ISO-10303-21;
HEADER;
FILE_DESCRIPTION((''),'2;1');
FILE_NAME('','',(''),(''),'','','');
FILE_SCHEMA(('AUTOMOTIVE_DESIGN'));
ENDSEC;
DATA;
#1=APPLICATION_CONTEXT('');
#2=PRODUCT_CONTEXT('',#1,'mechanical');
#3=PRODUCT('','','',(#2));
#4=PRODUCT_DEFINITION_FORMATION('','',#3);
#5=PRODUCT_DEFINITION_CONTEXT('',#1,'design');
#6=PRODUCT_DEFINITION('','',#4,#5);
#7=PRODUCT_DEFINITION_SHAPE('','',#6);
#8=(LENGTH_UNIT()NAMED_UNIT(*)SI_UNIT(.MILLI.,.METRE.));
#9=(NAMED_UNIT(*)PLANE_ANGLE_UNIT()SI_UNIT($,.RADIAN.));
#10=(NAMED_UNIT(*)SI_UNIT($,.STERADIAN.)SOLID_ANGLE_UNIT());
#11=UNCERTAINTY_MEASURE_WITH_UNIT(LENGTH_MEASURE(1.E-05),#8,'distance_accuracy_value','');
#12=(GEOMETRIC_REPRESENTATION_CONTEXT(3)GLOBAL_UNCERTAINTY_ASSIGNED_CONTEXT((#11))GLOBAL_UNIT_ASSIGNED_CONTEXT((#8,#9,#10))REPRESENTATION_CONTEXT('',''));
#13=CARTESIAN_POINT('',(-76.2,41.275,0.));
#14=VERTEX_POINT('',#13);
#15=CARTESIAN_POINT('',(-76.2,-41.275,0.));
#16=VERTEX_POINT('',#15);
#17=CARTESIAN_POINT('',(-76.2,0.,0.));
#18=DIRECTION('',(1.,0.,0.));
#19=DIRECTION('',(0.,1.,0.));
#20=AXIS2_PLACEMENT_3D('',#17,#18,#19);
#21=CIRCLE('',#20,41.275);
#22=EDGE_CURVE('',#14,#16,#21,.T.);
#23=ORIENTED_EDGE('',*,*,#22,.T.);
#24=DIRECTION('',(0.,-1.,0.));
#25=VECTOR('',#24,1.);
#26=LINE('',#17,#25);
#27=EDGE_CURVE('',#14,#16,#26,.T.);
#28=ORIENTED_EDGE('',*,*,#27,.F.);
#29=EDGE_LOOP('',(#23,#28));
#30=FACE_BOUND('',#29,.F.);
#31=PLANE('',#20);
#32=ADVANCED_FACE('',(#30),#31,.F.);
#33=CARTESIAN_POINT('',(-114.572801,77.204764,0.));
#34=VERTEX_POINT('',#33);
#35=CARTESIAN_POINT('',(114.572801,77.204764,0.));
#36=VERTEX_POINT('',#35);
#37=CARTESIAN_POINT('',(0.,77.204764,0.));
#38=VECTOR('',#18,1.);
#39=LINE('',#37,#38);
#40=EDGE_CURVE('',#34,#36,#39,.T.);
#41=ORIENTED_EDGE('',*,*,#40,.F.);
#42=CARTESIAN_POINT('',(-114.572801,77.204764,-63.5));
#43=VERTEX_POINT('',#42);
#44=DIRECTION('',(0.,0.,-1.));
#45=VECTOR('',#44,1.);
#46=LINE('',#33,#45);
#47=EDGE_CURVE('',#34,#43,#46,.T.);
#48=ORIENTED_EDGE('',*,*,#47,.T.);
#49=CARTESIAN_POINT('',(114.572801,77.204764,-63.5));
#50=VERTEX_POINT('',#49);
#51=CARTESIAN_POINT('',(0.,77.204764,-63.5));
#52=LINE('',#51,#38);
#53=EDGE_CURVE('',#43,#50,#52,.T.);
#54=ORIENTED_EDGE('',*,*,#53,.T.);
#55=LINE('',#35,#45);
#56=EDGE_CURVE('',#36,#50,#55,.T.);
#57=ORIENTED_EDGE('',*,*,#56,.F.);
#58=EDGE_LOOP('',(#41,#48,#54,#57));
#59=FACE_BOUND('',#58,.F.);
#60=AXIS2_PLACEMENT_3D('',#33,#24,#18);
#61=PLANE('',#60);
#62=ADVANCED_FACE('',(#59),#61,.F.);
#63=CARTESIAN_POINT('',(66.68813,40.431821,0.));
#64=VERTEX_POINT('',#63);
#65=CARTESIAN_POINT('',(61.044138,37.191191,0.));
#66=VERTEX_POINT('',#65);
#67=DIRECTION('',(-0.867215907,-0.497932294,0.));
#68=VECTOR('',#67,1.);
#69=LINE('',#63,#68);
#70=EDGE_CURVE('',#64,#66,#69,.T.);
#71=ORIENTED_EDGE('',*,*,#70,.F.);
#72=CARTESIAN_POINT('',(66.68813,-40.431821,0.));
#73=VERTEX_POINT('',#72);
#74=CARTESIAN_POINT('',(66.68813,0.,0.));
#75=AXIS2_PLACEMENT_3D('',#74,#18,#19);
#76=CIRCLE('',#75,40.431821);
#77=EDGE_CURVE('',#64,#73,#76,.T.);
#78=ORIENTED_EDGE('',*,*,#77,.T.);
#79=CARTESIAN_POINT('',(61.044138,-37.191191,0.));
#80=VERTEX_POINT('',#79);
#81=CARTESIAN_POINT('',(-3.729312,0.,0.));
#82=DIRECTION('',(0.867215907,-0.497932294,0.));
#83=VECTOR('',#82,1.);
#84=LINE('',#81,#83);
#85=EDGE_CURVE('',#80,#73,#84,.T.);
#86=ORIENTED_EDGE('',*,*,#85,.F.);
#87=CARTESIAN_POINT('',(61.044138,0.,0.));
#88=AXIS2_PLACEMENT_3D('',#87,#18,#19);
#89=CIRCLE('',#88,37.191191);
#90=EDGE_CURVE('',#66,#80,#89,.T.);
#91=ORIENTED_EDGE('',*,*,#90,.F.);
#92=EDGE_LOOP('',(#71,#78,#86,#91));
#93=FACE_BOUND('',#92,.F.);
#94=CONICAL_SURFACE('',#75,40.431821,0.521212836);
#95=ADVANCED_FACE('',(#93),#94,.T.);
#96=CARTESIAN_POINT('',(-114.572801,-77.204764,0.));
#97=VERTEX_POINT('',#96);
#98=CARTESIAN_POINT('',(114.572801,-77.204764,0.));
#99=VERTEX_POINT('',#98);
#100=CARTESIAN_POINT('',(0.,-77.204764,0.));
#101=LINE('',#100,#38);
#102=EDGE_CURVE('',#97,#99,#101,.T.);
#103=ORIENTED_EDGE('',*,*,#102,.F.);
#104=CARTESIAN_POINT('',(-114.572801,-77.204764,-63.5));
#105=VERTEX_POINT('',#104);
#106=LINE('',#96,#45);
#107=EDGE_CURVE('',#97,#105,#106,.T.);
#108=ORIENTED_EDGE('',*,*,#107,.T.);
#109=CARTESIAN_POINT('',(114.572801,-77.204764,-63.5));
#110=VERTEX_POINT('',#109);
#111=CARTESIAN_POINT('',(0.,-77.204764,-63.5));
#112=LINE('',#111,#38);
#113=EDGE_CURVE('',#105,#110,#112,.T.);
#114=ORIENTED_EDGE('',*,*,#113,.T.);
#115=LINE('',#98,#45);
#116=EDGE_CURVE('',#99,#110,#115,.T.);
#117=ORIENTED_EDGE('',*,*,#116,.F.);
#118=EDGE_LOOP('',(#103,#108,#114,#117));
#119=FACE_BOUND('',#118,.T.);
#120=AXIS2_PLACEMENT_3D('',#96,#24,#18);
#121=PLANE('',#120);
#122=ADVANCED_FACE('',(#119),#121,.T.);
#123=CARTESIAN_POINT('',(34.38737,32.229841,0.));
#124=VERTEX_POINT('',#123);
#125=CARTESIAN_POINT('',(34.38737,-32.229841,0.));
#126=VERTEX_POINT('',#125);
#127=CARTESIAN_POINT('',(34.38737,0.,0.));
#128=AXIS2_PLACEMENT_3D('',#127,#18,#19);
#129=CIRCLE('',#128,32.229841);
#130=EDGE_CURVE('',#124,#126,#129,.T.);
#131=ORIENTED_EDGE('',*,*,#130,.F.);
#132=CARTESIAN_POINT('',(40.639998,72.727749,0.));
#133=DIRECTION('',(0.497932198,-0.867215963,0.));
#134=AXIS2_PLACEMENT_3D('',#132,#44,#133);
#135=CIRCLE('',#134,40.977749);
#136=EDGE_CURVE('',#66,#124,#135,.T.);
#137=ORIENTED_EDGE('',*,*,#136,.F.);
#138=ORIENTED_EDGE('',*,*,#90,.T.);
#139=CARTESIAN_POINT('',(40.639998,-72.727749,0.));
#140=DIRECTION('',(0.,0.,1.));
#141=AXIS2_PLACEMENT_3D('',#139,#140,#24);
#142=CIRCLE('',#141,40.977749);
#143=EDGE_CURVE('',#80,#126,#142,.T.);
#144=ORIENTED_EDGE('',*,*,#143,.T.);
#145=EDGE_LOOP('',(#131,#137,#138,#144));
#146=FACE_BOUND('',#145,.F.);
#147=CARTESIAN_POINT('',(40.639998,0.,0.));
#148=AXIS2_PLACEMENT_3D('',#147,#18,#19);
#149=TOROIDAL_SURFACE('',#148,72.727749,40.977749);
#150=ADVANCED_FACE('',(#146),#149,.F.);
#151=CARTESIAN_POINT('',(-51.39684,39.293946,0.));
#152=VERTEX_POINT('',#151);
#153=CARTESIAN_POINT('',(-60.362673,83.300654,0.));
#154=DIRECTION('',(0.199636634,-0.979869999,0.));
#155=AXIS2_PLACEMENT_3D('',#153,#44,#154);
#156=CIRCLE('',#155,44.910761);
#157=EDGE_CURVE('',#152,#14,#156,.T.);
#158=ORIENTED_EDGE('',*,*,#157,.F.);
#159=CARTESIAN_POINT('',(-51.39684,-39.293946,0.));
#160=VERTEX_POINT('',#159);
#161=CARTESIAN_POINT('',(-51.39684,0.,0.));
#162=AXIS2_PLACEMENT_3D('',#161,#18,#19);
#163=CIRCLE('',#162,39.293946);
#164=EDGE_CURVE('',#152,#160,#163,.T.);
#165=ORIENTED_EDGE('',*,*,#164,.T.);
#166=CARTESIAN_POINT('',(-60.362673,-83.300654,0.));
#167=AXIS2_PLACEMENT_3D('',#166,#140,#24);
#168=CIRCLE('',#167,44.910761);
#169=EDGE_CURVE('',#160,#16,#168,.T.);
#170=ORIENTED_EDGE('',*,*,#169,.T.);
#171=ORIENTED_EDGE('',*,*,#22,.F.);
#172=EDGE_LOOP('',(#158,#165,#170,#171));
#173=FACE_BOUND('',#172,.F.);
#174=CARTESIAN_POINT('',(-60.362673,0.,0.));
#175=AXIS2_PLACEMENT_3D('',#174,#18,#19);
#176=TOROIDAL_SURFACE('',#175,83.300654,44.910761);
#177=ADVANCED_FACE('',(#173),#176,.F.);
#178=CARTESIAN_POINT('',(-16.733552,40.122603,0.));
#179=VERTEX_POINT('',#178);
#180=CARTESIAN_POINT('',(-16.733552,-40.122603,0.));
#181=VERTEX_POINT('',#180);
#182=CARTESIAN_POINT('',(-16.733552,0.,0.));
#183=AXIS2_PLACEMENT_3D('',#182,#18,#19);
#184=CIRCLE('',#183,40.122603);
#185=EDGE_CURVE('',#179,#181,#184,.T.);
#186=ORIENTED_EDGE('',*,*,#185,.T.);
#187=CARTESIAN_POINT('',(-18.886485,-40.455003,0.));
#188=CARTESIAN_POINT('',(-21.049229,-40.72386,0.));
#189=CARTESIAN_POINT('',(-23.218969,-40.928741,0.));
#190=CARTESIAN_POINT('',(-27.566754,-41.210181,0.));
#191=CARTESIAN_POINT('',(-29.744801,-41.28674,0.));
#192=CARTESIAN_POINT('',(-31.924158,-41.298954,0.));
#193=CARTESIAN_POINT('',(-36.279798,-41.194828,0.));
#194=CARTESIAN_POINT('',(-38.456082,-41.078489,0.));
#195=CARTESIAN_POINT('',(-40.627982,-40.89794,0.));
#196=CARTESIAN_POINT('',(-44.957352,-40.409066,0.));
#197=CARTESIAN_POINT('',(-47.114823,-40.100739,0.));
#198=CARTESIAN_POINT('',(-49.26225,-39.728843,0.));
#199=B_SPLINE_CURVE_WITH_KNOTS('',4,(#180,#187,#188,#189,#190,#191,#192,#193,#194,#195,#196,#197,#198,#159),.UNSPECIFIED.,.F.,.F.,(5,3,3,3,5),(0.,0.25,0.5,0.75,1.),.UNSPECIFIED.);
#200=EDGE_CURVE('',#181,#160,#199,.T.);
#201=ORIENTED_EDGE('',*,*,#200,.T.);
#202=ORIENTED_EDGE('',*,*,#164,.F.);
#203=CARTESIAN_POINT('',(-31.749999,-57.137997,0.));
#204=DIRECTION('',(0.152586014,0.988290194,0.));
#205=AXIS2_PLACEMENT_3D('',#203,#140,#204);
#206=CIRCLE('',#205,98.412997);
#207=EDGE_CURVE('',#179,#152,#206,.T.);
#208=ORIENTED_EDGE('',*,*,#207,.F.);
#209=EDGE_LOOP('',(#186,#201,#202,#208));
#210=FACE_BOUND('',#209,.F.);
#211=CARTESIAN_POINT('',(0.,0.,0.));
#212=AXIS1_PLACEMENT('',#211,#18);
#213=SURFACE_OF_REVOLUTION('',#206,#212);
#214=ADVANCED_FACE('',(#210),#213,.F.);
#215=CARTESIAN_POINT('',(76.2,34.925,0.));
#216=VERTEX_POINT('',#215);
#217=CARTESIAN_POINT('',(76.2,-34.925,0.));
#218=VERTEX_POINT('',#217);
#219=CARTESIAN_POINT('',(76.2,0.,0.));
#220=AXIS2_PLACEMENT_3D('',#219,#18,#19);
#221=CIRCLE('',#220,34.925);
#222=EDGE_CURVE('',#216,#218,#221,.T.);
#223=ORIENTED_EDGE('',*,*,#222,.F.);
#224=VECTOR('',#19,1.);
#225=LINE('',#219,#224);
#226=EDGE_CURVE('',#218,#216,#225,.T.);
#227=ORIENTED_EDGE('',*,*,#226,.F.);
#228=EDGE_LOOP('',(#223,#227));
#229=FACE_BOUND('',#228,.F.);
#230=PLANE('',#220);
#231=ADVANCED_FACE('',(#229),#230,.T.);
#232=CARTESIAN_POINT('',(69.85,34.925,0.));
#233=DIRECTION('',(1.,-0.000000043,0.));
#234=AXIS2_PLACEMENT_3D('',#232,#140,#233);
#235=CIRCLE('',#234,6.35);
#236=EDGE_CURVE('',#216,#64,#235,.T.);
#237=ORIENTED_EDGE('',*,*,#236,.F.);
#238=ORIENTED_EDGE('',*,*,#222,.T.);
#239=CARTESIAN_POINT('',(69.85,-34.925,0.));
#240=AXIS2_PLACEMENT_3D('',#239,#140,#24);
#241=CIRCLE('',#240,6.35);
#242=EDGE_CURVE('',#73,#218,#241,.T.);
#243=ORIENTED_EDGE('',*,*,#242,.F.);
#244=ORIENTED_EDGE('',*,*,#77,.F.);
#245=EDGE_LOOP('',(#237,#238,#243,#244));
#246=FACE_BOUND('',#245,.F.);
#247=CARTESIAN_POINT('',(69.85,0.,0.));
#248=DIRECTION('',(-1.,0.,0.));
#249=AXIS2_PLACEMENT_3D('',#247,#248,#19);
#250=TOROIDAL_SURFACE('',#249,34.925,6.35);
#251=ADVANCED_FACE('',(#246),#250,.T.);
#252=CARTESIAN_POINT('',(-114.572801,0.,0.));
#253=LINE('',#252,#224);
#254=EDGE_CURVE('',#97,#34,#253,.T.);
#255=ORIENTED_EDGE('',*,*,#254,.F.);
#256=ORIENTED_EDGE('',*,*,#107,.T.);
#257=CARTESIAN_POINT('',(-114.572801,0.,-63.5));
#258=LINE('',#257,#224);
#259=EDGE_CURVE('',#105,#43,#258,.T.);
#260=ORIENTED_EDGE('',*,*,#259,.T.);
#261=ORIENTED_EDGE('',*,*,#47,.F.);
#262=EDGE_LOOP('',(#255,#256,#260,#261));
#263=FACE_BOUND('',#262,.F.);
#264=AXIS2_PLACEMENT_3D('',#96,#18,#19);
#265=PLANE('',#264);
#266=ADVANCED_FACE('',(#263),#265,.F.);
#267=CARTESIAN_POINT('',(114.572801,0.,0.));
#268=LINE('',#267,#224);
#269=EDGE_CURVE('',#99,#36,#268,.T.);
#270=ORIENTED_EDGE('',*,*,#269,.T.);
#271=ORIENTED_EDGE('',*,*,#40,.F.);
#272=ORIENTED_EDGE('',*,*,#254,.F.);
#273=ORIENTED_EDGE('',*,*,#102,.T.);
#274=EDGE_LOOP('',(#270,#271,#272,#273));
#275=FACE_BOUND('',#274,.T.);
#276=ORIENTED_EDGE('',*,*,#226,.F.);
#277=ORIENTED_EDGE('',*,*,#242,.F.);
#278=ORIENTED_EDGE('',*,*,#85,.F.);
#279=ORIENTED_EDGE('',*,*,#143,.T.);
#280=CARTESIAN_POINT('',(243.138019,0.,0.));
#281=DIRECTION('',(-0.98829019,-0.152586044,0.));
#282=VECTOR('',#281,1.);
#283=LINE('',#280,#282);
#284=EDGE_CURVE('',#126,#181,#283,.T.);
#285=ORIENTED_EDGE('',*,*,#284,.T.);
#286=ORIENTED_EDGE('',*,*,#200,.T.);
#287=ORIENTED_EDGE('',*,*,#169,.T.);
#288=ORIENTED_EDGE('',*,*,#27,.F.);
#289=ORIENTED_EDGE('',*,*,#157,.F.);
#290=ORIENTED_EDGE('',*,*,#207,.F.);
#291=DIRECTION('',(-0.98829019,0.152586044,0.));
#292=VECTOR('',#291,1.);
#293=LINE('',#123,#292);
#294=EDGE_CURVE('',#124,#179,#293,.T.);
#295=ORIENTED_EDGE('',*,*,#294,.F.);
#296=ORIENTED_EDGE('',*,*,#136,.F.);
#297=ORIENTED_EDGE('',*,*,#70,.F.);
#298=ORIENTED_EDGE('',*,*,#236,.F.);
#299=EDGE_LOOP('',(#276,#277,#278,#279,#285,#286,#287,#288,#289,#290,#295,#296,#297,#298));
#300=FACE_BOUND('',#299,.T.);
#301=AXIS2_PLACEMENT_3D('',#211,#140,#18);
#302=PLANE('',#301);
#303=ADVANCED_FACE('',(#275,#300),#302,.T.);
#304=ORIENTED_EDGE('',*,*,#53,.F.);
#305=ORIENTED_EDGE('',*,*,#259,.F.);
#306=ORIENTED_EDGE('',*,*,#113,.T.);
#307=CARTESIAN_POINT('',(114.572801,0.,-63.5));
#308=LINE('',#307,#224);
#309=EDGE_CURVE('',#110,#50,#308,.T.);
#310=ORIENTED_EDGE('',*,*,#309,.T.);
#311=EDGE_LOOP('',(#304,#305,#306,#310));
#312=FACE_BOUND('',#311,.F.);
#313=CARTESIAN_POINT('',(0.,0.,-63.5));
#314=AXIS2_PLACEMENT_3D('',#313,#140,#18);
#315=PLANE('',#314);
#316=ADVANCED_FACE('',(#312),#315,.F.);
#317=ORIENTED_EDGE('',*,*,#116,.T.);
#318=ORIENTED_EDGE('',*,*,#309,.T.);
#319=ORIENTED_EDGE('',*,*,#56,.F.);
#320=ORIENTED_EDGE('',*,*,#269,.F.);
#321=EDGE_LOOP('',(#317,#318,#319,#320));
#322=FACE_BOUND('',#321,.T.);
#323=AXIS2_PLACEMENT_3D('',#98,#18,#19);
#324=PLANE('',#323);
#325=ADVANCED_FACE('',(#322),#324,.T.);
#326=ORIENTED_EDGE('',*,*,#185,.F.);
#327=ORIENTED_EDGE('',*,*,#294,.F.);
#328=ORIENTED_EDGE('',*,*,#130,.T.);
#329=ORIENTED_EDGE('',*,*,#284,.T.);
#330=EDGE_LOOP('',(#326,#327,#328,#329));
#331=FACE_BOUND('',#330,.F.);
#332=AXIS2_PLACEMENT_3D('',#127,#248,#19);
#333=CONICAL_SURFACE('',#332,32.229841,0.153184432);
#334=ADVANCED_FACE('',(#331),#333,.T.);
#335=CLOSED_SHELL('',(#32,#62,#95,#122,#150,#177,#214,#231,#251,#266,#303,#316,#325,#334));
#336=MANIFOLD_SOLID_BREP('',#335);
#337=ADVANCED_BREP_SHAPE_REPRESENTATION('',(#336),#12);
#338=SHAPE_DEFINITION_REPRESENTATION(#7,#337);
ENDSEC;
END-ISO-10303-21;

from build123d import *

# Parameters (mm, degrees)
F2_W     = 229.145602
F2_H     = 154.409528
F3_DEPTH = 63.5


with BuildPart() as f1:
    # F0 (on Top) → F1 (revolve)
    with BuildSketch(Plane.XY):
        with BuildLine():
            Line((-76.2, 41.275), (-76.2, 0))
            Line((-76.2, 0), (76.2, 0))
            Line((76.2, 0), (76.2, 34.925))
            ThreePointArc((76.2, 34.925), (73.031558, 40.42047), (66.68813, 40.431821))
            Line((66.68813, 40.431821), (61.044138, 37.191191))
            ThreePointArc((61.044138, 37.191191), (48.138002, 32.441823), (34.38737, 32.229841))
            Line((34.38737, 32.229841), (-16.733552, 40.122603))
            ThreePointArc((-16.733552, 40.122603), (-34.101978, 41.246891), (-51.39684, 39.293946))
            ThreePointArc((-51.39684, 39.293946), (-63.938355, 38.532462), (-76.2, 41.275))
        make_face()
    revolve(axis=Axis((0, 0, 0), (1, 0, 0)))

    # F2 (on Top) → F3 (join)
    with BuildSketch(Plane.XY):
        Rectangle(F2_W, F2_H)
    extrude(amount=-F3_DEPTH)


solid = f1.part
